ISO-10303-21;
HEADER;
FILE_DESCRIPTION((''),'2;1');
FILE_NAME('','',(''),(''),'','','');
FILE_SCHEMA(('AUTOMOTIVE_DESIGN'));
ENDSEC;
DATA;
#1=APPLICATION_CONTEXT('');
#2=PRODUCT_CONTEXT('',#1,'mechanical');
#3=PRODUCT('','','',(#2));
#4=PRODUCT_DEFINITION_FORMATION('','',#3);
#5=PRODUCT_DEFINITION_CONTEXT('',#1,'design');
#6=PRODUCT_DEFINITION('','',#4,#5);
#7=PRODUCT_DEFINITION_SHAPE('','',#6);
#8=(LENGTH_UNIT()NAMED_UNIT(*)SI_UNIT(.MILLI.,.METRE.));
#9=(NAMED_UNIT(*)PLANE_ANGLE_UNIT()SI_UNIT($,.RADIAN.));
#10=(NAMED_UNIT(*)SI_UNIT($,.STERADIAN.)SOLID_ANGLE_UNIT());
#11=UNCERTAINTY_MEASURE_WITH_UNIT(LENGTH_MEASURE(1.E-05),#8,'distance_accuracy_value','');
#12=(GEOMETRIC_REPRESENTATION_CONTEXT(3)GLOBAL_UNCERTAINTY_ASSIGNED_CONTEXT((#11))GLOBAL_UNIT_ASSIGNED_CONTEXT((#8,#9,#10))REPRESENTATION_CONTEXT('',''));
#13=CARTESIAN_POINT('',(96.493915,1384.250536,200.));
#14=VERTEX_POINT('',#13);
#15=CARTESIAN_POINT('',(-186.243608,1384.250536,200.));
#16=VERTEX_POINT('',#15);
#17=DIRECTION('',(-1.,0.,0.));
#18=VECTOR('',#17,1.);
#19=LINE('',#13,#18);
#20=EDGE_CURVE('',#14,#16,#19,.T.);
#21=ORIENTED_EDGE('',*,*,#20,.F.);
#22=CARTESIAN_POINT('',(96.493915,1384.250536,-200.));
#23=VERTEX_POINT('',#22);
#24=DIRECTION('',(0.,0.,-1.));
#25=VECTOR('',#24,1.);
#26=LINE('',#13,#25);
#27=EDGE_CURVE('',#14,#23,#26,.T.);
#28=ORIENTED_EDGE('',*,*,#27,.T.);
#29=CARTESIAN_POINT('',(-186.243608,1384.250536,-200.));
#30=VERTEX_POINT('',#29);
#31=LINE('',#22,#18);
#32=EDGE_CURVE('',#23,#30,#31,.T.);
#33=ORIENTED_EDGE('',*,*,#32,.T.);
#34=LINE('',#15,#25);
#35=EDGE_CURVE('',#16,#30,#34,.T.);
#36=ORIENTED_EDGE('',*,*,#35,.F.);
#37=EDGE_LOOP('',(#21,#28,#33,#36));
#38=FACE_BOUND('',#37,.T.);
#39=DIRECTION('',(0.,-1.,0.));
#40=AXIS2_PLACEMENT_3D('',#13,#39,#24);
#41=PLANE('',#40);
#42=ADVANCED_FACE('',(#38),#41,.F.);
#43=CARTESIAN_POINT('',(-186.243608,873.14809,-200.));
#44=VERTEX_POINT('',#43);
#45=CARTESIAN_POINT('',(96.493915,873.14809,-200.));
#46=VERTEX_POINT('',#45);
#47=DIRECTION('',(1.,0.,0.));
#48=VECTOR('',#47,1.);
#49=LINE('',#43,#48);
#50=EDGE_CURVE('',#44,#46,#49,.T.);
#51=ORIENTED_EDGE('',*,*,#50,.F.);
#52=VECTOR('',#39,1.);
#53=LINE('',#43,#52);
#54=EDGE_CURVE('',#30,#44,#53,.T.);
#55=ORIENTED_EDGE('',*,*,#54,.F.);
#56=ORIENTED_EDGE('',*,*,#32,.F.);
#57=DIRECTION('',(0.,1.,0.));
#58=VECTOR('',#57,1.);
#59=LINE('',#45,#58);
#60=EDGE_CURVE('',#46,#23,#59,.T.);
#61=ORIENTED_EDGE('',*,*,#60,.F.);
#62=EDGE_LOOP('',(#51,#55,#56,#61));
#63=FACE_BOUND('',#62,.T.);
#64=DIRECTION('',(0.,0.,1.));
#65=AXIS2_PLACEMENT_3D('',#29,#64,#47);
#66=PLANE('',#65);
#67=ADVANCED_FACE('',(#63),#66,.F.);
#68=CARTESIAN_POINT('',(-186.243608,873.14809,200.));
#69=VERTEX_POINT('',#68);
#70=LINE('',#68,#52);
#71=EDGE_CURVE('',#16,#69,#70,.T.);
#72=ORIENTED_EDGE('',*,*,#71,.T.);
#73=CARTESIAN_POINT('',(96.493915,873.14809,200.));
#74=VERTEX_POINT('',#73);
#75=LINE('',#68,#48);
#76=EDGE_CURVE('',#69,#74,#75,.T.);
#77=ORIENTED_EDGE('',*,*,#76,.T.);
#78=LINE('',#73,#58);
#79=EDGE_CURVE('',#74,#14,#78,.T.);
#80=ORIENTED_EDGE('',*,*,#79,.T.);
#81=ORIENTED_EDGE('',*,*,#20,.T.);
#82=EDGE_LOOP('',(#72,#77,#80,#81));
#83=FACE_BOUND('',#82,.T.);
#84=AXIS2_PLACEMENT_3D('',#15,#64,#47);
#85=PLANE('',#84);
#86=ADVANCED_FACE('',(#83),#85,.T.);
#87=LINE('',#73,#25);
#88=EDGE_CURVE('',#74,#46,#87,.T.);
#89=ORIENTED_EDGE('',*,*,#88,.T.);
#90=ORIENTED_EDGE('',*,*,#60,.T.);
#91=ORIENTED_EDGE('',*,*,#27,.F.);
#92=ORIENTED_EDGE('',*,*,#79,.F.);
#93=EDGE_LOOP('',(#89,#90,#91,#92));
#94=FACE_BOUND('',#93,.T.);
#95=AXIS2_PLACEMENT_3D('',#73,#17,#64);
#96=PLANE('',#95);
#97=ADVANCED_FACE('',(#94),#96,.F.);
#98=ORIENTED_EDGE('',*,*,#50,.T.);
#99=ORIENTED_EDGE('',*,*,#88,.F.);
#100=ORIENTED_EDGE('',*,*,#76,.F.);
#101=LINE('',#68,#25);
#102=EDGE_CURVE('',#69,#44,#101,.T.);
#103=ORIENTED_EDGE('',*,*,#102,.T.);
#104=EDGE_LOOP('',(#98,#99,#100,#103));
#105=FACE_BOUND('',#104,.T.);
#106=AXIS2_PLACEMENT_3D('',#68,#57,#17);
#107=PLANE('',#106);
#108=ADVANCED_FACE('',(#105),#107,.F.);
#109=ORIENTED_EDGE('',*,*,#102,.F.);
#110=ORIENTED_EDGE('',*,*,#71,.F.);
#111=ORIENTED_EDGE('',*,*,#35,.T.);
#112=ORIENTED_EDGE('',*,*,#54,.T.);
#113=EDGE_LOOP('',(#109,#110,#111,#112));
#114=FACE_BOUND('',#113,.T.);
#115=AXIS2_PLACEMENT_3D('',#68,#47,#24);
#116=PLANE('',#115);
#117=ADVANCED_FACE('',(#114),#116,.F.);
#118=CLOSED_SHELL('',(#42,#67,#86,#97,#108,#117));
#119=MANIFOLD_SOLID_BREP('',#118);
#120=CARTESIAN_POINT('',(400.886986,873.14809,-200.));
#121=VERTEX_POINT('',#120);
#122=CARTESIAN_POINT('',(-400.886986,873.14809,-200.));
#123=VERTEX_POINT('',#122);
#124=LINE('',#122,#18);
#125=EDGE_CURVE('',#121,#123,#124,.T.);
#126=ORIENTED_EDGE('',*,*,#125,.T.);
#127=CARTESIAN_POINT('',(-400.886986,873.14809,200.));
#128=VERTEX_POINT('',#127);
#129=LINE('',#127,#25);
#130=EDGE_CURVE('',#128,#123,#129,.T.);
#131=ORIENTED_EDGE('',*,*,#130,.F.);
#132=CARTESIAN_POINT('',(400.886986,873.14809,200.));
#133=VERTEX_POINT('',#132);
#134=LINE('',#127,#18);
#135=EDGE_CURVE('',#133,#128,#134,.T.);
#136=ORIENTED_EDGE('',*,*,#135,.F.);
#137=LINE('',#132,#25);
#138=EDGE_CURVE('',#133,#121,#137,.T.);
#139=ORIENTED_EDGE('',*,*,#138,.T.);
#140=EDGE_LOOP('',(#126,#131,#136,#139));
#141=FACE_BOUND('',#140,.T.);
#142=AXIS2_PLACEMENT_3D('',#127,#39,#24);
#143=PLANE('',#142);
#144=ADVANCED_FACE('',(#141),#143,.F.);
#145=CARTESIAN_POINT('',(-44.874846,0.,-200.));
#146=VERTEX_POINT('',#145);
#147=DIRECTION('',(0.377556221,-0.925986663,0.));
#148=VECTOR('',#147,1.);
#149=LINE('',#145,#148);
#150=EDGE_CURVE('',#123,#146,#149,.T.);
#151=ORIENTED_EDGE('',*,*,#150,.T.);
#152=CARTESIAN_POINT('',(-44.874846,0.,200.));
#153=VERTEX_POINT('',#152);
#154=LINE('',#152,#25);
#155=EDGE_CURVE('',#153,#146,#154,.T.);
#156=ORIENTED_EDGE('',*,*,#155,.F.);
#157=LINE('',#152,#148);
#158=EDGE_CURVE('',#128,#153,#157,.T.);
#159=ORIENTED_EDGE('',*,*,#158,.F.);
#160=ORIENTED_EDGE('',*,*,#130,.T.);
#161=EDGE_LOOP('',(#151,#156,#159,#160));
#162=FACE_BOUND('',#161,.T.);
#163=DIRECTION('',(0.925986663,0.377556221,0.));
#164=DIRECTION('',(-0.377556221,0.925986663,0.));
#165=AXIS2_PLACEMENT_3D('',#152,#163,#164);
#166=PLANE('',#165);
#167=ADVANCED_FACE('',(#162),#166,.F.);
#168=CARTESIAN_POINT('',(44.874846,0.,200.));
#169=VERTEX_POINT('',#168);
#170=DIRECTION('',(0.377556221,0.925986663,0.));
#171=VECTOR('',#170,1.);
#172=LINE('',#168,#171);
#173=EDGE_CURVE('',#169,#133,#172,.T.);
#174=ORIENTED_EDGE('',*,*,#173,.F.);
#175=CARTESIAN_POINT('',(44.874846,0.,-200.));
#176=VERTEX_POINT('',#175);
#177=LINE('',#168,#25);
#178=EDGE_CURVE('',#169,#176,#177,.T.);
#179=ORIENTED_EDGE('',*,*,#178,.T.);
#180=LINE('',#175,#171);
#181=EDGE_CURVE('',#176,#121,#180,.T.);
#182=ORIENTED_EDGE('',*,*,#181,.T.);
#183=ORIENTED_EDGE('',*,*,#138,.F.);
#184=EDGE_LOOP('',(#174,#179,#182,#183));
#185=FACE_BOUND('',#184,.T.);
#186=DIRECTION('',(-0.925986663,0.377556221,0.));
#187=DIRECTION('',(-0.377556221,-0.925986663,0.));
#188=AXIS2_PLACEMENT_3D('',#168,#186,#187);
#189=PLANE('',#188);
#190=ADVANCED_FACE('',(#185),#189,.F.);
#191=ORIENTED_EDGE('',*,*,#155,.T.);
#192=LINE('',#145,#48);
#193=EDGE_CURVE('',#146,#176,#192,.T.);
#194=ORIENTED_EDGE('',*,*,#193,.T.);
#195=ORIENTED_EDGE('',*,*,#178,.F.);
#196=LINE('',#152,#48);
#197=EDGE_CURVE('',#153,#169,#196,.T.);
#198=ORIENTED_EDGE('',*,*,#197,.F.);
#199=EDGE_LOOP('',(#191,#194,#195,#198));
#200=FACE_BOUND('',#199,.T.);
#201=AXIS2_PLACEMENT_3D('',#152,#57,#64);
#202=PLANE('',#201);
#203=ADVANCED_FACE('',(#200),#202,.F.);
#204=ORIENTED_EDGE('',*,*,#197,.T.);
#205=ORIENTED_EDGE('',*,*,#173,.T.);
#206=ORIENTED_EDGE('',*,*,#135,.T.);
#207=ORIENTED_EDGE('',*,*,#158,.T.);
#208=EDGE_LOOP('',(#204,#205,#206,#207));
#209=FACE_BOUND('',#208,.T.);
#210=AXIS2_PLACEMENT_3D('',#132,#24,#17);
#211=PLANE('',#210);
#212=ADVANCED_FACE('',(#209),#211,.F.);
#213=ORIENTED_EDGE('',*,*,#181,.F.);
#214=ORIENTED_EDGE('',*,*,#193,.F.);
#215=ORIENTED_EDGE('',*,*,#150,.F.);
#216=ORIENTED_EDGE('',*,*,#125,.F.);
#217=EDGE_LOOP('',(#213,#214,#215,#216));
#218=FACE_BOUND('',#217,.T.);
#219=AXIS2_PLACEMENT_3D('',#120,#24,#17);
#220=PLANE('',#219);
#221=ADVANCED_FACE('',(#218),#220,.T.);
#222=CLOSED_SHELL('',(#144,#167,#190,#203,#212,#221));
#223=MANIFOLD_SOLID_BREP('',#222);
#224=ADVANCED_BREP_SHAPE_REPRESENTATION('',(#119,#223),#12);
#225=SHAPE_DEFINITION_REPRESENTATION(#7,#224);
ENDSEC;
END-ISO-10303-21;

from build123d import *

# Parameters (mm, degrees)
BOSS_EXTRUDE1_DEPTH = 200
SKETCH2_W           = 282.737523313
SKETCH2_H           = 511.10244599
BOSS_EXTRUDE2_DEPTH = 200


with BuildPart() as part:
    # Sketch1 → Boss-Extrude1 (new, symmetric)
    with BuildSketch(Plane.XY):
        Polygon((-44.874846432, 0), (44.874846432, 0), (400.886986463, 873.148089651), (-400.886986463, 873.148089651), align=None)
    extrude(amount=BOSS_EXTRUDE1_DEPTH, both=True)


with BuildPart() as body_2:
    # Sketch2 → Boss-Extrude2 (new, symmetric)
    with BuildSketch(Plane.XY):
        with Locations((-44.874846433, 1128.699312646)):
            Rectangle(SKETCH2_W, SKETCH2_H)
    extrude(amount=BOSS_EXTRUDE2_DEPTH, both=True)


solid = Compound([part.part, body_2.part])
